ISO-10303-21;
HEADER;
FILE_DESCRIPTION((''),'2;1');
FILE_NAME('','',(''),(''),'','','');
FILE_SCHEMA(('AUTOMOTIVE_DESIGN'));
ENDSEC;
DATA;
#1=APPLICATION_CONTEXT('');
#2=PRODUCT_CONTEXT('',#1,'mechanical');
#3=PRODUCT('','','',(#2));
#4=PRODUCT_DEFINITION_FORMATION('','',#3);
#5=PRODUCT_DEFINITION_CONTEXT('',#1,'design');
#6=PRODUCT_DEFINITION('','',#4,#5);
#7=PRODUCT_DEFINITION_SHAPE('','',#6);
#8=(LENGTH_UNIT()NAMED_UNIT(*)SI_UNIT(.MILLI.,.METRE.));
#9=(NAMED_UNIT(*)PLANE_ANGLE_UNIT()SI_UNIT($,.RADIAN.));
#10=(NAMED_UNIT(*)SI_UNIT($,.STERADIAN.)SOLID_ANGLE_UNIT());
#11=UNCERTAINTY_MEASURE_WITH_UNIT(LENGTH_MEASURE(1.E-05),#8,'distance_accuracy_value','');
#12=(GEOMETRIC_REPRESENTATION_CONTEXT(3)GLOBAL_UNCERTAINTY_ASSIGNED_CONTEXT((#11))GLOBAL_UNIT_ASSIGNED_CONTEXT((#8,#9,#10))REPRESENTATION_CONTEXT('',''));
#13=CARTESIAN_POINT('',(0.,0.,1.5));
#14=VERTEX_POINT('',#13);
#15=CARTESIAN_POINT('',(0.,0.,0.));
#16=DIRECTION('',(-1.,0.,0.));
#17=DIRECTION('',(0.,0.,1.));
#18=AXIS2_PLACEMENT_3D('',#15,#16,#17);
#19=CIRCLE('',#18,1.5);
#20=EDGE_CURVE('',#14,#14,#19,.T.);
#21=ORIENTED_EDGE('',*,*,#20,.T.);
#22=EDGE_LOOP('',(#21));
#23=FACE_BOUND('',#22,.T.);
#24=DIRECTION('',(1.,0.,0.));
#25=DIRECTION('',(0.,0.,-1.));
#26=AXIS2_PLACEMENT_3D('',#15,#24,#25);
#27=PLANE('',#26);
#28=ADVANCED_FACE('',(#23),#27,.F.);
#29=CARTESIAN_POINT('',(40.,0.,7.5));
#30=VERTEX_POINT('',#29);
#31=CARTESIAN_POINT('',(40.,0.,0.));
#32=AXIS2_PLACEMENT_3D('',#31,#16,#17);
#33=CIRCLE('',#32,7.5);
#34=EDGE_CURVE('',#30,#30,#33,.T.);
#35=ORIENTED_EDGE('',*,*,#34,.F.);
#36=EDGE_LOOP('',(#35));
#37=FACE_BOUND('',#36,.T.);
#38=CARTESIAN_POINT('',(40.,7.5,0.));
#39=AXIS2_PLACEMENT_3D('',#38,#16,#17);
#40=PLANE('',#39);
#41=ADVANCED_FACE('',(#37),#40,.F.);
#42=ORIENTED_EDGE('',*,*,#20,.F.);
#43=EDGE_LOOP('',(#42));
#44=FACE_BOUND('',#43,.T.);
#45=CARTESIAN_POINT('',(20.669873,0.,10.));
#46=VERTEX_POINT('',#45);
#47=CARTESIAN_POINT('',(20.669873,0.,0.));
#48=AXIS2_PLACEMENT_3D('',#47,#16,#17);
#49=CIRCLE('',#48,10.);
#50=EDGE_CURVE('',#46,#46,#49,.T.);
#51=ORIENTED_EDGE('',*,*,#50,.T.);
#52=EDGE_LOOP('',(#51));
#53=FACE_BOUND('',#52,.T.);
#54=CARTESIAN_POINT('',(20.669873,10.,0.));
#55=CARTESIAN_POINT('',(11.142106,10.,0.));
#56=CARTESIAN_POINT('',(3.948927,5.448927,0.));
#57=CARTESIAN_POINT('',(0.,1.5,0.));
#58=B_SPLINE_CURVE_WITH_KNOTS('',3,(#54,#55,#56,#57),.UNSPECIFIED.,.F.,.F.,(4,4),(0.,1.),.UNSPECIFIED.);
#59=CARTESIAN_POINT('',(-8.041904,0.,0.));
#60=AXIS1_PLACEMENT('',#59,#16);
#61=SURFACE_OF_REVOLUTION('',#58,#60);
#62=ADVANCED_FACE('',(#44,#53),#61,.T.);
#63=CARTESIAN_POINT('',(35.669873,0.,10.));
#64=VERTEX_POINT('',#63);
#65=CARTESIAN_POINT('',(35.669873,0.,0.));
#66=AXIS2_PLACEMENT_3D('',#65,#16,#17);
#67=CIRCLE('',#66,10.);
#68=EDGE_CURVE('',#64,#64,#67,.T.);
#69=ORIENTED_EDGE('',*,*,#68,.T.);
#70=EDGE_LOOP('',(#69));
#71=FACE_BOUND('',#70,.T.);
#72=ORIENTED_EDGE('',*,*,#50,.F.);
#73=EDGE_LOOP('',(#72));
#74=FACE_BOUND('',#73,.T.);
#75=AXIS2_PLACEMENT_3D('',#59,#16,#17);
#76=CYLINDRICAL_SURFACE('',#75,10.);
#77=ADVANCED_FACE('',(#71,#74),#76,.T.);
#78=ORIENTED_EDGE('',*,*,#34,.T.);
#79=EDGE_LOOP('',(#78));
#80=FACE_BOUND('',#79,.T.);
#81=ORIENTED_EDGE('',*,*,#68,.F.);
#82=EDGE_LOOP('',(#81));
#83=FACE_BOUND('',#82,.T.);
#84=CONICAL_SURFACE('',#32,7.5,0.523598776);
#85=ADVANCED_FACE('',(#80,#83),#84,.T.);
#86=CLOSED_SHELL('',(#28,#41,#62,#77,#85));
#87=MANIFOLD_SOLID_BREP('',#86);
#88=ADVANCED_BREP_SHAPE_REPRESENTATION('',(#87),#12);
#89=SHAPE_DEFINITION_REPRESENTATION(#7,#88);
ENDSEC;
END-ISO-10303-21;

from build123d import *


with BuildPart() as part:
    # Эскиз1 → Повернуть1 (revolve)
    with BuildSketch(Plane.XY, mode=Mode.PRIVATE) as revolve_1_sk:
        with BuildLine():
            Line((0, 0), (0, 1.5))
            add(Edge.make_bspline(
                [(0, 1.5), (3.948927259, 5.448927259), (11.142105811, 10), (20.669872981, 10)],
                knots=[0, 0, 0, 0, 1, 1, 1, 1], degree=3))
            Line((20.669872981, 10), (35.669872981, 10))
            Line((35.669872981, 10), (40, 7.5))
            Line((40, 7.5), (40, 0))
            Line((40, 0), (0, 0))
        make_face()
    revolve(revolve_1_sk.sketch.rotate(Axis((-8.041904234, 0, 0), (1, 0, 0)), 90), axis=Axis((-8.041904234, 0, 0), (1, 0, 0)))


solid = part.part
